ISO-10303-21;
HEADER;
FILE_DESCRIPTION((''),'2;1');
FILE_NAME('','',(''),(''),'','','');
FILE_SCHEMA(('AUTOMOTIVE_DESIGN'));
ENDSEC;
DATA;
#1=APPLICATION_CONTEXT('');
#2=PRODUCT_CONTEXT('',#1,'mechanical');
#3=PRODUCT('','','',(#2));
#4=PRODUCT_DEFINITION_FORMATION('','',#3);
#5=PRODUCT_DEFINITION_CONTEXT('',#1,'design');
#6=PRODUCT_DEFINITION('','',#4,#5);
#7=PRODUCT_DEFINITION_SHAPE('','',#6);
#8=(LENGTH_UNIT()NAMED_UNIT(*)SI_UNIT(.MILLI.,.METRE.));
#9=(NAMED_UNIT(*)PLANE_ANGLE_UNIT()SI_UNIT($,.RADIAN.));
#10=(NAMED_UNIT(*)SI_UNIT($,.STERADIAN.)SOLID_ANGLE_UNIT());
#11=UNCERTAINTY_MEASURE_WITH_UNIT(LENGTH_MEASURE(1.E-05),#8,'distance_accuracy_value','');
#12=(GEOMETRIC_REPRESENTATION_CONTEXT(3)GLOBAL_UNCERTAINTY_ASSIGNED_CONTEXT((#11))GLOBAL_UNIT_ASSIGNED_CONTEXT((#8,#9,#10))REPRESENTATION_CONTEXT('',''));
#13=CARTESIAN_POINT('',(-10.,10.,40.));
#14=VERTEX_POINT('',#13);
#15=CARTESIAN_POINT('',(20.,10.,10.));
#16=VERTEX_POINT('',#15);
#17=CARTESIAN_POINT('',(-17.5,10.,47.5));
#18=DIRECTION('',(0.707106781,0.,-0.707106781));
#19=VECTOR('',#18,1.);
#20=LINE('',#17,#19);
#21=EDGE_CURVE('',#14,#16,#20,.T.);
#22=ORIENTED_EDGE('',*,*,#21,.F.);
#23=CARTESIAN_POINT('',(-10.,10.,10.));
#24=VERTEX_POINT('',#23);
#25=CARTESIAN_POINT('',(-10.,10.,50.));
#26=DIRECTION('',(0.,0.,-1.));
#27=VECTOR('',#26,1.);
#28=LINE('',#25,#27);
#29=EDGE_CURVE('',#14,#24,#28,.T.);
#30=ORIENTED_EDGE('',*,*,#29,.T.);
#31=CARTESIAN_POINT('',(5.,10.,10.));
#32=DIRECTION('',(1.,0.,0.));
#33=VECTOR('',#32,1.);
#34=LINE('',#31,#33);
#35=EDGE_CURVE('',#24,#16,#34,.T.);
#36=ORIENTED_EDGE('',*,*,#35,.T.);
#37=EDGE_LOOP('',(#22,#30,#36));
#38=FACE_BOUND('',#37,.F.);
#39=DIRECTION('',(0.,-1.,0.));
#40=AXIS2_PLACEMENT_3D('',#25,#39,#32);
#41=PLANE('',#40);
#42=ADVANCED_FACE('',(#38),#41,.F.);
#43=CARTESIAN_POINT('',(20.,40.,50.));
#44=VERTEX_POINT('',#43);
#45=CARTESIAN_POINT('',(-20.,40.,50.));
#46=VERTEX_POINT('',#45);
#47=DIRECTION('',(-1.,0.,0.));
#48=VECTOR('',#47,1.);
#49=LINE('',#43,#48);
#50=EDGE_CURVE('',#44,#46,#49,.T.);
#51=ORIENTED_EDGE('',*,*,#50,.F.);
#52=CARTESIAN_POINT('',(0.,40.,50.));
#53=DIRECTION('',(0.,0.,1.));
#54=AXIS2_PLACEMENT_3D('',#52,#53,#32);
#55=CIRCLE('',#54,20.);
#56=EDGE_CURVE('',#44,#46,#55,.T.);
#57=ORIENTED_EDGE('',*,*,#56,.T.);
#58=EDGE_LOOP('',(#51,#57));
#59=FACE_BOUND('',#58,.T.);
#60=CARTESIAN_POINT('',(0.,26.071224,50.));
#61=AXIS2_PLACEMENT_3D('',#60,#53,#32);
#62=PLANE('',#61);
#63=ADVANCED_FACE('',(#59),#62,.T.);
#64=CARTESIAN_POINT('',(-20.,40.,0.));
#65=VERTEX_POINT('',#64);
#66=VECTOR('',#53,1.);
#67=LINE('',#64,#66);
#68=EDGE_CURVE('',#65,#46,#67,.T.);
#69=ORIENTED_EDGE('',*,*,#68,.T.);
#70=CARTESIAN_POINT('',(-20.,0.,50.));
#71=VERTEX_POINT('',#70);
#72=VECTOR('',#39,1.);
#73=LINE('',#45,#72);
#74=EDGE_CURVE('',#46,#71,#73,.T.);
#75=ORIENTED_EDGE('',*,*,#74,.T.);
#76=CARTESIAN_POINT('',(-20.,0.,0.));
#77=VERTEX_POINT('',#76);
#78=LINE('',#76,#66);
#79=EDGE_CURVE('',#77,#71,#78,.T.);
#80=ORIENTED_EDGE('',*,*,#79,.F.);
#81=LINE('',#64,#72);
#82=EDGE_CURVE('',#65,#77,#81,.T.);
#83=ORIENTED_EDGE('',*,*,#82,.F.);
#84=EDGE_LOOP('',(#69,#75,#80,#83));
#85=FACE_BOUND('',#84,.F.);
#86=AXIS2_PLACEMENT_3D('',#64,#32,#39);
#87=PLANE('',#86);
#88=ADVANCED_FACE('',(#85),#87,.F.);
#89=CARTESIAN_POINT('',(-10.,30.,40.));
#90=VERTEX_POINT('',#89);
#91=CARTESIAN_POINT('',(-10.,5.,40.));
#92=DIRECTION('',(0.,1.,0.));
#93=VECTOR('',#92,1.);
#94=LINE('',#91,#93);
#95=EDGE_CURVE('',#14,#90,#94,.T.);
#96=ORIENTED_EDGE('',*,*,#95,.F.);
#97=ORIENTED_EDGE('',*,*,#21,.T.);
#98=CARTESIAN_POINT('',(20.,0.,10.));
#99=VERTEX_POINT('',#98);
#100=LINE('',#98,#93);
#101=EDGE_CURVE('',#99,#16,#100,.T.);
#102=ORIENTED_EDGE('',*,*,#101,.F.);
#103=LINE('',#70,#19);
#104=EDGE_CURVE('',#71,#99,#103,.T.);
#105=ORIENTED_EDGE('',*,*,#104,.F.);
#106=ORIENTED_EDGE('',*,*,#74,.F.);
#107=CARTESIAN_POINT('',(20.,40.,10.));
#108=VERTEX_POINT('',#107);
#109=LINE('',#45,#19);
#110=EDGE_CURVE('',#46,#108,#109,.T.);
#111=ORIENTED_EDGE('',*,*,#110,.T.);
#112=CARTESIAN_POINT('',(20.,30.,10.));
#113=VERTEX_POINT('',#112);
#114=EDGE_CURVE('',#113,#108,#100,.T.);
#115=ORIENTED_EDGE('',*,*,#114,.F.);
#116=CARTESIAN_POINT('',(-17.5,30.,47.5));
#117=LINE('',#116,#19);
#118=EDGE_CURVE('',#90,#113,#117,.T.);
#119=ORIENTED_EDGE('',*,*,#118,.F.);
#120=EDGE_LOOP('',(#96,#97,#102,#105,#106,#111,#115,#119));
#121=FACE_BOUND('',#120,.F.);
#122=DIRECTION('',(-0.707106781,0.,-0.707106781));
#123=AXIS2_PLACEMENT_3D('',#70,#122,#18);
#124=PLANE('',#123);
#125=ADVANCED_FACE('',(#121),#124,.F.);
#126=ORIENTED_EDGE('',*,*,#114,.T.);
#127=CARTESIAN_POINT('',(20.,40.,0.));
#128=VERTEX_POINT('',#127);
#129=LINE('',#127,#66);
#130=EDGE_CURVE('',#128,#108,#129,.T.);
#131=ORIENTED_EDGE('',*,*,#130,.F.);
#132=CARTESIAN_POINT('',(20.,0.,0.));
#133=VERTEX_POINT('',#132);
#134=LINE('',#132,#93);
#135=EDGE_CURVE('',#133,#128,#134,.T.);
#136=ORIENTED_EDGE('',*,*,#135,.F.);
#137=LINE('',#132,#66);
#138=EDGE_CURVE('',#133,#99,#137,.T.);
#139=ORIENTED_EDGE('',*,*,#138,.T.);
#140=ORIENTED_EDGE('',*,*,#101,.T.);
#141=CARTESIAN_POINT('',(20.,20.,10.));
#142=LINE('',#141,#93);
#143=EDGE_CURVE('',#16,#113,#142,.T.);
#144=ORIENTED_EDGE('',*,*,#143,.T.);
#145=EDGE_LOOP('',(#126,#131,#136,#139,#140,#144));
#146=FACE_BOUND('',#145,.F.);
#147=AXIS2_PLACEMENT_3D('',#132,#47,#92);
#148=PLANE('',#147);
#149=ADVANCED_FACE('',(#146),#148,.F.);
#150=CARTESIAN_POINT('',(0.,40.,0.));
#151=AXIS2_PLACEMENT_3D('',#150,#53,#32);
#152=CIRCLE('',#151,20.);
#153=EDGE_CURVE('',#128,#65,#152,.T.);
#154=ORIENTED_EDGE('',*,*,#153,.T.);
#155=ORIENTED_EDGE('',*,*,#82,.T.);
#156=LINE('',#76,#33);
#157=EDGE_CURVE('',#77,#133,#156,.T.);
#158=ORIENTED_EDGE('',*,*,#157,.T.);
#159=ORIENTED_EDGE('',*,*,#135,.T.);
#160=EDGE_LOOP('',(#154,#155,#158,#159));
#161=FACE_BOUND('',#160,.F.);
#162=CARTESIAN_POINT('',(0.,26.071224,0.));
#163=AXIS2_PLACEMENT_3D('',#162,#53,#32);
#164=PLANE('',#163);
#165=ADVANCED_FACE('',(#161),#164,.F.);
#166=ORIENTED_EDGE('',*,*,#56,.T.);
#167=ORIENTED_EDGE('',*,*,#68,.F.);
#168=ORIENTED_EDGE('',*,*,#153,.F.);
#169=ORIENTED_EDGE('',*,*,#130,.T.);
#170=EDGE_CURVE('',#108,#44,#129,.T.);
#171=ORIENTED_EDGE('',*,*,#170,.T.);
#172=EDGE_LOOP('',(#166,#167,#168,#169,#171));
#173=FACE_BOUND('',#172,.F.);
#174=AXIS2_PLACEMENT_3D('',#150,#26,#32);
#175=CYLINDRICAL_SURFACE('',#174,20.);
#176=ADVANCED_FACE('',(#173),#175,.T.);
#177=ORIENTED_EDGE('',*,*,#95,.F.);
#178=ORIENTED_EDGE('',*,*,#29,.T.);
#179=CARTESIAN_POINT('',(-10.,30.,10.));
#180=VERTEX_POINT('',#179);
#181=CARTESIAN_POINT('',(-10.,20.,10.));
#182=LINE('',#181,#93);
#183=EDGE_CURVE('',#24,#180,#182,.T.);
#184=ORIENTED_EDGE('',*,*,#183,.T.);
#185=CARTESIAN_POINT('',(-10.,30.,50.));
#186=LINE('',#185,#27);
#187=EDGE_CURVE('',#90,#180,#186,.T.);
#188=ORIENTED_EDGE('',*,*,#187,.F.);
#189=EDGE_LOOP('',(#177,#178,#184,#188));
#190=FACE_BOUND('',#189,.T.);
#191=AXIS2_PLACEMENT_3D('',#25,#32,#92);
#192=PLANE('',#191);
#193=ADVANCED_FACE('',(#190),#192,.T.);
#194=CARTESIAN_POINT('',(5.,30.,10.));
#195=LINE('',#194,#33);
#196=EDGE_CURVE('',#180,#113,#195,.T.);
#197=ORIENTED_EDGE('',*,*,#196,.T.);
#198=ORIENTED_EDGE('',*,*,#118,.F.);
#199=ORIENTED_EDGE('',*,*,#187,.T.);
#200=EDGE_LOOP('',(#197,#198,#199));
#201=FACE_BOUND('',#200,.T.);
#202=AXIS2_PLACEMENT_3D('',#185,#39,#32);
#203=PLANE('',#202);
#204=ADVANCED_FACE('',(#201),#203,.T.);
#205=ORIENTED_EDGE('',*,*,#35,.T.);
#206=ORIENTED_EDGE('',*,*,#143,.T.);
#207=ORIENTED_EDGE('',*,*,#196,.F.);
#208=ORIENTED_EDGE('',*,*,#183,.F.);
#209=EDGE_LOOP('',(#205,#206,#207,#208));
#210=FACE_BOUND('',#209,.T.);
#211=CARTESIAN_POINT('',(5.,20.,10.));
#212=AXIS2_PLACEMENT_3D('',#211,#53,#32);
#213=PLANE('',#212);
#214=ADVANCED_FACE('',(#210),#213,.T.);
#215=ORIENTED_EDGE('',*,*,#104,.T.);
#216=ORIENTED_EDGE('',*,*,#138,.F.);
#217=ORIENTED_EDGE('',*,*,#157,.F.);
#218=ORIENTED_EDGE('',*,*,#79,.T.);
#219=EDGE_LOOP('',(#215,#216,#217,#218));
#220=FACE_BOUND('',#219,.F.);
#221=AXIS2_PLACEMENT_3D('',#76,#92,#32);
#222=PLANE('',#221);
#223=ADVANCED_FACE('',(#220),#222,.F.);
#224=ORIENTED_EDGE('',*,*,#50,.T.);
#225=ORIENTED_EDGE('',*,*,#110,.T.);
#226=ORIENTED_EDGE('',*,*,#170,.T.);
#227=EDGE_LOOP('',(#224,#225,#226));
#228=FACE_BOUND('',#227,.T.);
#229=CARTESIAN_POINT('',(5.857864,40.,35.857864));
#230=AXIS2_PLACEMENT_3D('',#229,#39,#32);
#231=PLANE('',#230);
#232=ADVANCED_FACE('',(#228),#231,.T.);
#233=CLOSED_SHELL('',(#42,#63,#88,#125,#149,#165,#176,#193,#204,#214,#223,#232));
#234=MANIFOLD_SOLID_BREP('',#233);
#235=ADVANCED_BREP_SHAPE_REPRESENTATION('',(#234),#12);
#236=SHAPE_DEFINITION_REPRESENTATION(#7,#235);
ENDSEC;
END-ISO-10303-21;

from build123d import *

# Parameters (mm, degrees)
F1_DEPTH = 50
F3_W     = 30
F3_H     = 20
F4_DEPTH = 40
F5_DEPTH = 40


with BuildPart() as f1:
    # F0 (on Top) → F1 (new body)
    with BuildSketch(Plane.XY):
        with BuildLine():
            Line((-20, 40), (-20, 0))
            Line((-20, 0), (20, 0))
            Line((20, 0), (20, 40))
            ThreePointArc((20, 40), (0, 60), (-20, 40))
        make_face()
    extrude(amount=F1_DEPTH)

    # F3 (on face) → F4 (cut)
    with BuildSketch(Plane.XY.offset(50)):
        with Locations((5, 20)):
            Rectangle(F3_W, F3_H)
    extrude(amount=-F4_DEPTH, mode=Mode.SUBTRACT)

    # F2 (on face) → F5 (cut)
    with BuildSketch(Plane.XZ):
        Polygon((20, 50), (-20, 50), (20, 10), align=None)
    extrude(amount=-F5_DEPTH, mode=Mode.SUBTRACT)


solid = f1.part
